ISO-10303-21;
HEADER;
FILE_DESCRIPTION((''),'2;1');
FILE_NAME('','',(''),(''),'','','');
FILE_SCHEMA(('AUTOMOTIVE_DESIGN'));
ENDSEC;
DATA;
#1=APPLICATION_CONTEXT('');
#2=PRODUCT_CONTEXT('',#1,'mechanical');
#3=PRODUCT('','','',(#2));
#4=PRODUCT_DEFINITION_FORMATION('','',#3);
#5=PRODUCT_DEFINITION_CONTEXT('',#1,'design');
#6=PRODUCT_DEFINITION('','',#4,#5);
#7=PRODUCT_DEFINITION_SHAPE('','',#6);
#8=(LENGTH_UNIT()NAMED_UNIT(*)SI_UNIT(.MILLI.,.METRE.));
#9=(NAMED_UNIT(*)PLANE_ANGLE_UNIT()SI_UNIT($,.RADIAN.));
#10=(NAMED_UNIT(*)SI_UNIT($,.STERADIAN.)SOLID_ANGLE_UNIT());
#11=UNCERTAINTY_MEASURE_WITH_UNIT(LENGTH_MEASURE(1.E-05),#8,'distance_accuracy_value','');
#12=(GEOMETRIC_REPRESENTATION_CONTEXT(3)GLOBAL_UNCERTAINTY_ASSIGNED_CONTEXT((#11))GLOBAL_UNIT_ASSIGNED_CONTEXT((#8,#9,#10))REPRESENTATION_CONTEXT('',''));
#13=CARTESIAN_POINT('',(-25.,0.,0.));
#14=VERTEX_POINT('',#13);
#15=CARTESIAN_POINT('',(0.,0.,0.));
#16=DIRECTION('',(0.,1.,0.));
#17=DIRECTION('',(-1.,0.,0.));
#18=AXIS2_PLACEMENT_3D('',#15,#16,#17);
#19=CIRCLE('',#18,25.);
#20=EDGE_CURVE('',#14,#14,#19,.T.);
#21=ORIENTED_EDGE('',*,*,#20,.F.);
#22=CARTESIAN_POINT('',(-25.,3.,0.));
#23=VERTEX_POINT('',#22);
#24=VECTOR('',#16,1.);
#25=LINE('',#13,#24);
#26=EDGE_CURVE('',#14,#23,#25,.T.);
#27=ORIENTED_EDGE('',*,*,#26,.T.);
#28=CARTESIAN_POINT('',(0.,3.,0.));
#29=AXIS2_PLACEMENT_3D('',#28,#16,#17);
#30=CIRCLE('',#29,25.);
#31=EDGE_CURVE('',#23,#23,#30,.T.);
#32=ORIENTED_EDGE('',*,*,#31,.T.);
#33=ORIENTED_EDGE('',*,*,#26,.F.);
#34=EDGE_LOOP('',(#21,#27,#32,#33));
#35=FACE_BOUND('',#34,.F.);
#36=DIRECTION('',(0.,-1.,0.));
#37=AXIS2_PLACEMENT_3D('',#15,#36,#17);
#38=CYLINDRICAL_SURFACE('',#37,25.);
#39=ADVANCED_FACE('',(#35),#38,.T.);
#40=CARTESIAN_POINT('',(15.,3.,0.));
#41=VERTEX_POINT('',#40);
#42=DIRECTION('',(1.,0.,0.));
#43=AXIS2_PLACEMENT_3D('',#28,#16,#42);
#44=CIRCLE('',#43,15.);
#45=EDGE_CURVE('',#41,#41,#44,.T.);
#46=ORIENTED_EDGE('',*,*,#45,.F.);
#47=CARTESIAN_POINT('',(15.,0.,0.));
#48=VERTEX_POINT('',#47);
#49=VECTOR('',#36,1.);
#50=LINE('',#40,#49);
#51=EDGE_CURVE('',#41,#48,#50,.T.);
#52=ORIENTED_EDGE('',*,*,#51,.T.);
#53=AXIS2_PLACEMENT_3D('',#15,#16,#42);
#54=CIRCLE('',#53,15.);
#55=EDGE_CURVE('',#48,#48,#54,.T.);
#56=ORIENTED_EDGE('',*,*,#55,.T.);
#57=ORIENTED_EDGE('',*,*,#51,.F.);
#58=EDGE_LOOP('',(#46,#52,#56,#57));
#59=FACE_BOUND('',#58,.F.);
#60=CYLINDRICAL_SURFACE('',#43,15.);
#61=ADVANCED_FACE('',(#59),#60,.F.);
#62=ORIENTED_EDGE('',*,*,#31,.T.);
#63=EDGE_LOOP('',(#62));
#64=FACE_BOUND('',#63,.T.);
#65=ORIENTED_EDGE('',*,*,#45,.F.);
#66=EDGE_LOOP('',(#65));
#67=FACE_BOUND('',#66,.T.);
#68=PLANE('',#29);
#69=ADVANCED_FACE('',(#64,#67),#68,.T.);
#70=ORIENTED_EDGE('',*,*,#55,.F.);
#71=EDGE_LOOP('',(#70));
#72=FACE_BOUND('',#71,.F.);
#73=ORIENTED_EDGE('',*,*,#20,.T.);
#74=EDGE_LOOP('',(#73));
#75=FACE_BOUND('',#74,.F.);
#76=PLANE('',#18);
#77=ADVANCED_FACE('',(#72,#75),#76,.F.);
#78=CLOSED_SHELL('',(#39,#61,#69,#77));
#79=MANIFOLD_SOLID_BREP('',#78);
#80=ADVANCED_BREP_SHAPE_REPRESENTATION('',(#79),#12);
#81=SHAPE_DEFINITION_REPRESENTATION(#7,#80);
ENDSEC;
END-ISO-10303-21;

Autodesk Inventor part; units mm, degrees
ref_plane "YZ Plane" through (0, 0, 0) normal (1, 0, 0) x (0, 1, 0)
ref_plane "XZ Plane" through (0, 0, 0) normal (0, 1, 0) x (-1, 0, 0)
ref_plane "XY Plane" through (0, 0, 0) normal (0, 0, 1) x (1, 0, 0)
sketch "Skizze1" plane through (0, 0, 0) normal (0, 1, 0) x (-1, 0, 0)
  circle A0 centre (0, 0) radius 25
  dimension "d0" = 50
extrude "Extrusion1" add sketch "Skizze1" along normal blind 3
sketch "Skizze2" plane through (0, 3, 0) normal (0, 1, 0) x (1, 0, 0)
  circle A0 centre (0, 0) radius 15
  dimension "d3" = 30
extrude "Extrusion2" cut sketch "Skizze2" against normal blind 3
properties part number "Unterlegscheibe"
